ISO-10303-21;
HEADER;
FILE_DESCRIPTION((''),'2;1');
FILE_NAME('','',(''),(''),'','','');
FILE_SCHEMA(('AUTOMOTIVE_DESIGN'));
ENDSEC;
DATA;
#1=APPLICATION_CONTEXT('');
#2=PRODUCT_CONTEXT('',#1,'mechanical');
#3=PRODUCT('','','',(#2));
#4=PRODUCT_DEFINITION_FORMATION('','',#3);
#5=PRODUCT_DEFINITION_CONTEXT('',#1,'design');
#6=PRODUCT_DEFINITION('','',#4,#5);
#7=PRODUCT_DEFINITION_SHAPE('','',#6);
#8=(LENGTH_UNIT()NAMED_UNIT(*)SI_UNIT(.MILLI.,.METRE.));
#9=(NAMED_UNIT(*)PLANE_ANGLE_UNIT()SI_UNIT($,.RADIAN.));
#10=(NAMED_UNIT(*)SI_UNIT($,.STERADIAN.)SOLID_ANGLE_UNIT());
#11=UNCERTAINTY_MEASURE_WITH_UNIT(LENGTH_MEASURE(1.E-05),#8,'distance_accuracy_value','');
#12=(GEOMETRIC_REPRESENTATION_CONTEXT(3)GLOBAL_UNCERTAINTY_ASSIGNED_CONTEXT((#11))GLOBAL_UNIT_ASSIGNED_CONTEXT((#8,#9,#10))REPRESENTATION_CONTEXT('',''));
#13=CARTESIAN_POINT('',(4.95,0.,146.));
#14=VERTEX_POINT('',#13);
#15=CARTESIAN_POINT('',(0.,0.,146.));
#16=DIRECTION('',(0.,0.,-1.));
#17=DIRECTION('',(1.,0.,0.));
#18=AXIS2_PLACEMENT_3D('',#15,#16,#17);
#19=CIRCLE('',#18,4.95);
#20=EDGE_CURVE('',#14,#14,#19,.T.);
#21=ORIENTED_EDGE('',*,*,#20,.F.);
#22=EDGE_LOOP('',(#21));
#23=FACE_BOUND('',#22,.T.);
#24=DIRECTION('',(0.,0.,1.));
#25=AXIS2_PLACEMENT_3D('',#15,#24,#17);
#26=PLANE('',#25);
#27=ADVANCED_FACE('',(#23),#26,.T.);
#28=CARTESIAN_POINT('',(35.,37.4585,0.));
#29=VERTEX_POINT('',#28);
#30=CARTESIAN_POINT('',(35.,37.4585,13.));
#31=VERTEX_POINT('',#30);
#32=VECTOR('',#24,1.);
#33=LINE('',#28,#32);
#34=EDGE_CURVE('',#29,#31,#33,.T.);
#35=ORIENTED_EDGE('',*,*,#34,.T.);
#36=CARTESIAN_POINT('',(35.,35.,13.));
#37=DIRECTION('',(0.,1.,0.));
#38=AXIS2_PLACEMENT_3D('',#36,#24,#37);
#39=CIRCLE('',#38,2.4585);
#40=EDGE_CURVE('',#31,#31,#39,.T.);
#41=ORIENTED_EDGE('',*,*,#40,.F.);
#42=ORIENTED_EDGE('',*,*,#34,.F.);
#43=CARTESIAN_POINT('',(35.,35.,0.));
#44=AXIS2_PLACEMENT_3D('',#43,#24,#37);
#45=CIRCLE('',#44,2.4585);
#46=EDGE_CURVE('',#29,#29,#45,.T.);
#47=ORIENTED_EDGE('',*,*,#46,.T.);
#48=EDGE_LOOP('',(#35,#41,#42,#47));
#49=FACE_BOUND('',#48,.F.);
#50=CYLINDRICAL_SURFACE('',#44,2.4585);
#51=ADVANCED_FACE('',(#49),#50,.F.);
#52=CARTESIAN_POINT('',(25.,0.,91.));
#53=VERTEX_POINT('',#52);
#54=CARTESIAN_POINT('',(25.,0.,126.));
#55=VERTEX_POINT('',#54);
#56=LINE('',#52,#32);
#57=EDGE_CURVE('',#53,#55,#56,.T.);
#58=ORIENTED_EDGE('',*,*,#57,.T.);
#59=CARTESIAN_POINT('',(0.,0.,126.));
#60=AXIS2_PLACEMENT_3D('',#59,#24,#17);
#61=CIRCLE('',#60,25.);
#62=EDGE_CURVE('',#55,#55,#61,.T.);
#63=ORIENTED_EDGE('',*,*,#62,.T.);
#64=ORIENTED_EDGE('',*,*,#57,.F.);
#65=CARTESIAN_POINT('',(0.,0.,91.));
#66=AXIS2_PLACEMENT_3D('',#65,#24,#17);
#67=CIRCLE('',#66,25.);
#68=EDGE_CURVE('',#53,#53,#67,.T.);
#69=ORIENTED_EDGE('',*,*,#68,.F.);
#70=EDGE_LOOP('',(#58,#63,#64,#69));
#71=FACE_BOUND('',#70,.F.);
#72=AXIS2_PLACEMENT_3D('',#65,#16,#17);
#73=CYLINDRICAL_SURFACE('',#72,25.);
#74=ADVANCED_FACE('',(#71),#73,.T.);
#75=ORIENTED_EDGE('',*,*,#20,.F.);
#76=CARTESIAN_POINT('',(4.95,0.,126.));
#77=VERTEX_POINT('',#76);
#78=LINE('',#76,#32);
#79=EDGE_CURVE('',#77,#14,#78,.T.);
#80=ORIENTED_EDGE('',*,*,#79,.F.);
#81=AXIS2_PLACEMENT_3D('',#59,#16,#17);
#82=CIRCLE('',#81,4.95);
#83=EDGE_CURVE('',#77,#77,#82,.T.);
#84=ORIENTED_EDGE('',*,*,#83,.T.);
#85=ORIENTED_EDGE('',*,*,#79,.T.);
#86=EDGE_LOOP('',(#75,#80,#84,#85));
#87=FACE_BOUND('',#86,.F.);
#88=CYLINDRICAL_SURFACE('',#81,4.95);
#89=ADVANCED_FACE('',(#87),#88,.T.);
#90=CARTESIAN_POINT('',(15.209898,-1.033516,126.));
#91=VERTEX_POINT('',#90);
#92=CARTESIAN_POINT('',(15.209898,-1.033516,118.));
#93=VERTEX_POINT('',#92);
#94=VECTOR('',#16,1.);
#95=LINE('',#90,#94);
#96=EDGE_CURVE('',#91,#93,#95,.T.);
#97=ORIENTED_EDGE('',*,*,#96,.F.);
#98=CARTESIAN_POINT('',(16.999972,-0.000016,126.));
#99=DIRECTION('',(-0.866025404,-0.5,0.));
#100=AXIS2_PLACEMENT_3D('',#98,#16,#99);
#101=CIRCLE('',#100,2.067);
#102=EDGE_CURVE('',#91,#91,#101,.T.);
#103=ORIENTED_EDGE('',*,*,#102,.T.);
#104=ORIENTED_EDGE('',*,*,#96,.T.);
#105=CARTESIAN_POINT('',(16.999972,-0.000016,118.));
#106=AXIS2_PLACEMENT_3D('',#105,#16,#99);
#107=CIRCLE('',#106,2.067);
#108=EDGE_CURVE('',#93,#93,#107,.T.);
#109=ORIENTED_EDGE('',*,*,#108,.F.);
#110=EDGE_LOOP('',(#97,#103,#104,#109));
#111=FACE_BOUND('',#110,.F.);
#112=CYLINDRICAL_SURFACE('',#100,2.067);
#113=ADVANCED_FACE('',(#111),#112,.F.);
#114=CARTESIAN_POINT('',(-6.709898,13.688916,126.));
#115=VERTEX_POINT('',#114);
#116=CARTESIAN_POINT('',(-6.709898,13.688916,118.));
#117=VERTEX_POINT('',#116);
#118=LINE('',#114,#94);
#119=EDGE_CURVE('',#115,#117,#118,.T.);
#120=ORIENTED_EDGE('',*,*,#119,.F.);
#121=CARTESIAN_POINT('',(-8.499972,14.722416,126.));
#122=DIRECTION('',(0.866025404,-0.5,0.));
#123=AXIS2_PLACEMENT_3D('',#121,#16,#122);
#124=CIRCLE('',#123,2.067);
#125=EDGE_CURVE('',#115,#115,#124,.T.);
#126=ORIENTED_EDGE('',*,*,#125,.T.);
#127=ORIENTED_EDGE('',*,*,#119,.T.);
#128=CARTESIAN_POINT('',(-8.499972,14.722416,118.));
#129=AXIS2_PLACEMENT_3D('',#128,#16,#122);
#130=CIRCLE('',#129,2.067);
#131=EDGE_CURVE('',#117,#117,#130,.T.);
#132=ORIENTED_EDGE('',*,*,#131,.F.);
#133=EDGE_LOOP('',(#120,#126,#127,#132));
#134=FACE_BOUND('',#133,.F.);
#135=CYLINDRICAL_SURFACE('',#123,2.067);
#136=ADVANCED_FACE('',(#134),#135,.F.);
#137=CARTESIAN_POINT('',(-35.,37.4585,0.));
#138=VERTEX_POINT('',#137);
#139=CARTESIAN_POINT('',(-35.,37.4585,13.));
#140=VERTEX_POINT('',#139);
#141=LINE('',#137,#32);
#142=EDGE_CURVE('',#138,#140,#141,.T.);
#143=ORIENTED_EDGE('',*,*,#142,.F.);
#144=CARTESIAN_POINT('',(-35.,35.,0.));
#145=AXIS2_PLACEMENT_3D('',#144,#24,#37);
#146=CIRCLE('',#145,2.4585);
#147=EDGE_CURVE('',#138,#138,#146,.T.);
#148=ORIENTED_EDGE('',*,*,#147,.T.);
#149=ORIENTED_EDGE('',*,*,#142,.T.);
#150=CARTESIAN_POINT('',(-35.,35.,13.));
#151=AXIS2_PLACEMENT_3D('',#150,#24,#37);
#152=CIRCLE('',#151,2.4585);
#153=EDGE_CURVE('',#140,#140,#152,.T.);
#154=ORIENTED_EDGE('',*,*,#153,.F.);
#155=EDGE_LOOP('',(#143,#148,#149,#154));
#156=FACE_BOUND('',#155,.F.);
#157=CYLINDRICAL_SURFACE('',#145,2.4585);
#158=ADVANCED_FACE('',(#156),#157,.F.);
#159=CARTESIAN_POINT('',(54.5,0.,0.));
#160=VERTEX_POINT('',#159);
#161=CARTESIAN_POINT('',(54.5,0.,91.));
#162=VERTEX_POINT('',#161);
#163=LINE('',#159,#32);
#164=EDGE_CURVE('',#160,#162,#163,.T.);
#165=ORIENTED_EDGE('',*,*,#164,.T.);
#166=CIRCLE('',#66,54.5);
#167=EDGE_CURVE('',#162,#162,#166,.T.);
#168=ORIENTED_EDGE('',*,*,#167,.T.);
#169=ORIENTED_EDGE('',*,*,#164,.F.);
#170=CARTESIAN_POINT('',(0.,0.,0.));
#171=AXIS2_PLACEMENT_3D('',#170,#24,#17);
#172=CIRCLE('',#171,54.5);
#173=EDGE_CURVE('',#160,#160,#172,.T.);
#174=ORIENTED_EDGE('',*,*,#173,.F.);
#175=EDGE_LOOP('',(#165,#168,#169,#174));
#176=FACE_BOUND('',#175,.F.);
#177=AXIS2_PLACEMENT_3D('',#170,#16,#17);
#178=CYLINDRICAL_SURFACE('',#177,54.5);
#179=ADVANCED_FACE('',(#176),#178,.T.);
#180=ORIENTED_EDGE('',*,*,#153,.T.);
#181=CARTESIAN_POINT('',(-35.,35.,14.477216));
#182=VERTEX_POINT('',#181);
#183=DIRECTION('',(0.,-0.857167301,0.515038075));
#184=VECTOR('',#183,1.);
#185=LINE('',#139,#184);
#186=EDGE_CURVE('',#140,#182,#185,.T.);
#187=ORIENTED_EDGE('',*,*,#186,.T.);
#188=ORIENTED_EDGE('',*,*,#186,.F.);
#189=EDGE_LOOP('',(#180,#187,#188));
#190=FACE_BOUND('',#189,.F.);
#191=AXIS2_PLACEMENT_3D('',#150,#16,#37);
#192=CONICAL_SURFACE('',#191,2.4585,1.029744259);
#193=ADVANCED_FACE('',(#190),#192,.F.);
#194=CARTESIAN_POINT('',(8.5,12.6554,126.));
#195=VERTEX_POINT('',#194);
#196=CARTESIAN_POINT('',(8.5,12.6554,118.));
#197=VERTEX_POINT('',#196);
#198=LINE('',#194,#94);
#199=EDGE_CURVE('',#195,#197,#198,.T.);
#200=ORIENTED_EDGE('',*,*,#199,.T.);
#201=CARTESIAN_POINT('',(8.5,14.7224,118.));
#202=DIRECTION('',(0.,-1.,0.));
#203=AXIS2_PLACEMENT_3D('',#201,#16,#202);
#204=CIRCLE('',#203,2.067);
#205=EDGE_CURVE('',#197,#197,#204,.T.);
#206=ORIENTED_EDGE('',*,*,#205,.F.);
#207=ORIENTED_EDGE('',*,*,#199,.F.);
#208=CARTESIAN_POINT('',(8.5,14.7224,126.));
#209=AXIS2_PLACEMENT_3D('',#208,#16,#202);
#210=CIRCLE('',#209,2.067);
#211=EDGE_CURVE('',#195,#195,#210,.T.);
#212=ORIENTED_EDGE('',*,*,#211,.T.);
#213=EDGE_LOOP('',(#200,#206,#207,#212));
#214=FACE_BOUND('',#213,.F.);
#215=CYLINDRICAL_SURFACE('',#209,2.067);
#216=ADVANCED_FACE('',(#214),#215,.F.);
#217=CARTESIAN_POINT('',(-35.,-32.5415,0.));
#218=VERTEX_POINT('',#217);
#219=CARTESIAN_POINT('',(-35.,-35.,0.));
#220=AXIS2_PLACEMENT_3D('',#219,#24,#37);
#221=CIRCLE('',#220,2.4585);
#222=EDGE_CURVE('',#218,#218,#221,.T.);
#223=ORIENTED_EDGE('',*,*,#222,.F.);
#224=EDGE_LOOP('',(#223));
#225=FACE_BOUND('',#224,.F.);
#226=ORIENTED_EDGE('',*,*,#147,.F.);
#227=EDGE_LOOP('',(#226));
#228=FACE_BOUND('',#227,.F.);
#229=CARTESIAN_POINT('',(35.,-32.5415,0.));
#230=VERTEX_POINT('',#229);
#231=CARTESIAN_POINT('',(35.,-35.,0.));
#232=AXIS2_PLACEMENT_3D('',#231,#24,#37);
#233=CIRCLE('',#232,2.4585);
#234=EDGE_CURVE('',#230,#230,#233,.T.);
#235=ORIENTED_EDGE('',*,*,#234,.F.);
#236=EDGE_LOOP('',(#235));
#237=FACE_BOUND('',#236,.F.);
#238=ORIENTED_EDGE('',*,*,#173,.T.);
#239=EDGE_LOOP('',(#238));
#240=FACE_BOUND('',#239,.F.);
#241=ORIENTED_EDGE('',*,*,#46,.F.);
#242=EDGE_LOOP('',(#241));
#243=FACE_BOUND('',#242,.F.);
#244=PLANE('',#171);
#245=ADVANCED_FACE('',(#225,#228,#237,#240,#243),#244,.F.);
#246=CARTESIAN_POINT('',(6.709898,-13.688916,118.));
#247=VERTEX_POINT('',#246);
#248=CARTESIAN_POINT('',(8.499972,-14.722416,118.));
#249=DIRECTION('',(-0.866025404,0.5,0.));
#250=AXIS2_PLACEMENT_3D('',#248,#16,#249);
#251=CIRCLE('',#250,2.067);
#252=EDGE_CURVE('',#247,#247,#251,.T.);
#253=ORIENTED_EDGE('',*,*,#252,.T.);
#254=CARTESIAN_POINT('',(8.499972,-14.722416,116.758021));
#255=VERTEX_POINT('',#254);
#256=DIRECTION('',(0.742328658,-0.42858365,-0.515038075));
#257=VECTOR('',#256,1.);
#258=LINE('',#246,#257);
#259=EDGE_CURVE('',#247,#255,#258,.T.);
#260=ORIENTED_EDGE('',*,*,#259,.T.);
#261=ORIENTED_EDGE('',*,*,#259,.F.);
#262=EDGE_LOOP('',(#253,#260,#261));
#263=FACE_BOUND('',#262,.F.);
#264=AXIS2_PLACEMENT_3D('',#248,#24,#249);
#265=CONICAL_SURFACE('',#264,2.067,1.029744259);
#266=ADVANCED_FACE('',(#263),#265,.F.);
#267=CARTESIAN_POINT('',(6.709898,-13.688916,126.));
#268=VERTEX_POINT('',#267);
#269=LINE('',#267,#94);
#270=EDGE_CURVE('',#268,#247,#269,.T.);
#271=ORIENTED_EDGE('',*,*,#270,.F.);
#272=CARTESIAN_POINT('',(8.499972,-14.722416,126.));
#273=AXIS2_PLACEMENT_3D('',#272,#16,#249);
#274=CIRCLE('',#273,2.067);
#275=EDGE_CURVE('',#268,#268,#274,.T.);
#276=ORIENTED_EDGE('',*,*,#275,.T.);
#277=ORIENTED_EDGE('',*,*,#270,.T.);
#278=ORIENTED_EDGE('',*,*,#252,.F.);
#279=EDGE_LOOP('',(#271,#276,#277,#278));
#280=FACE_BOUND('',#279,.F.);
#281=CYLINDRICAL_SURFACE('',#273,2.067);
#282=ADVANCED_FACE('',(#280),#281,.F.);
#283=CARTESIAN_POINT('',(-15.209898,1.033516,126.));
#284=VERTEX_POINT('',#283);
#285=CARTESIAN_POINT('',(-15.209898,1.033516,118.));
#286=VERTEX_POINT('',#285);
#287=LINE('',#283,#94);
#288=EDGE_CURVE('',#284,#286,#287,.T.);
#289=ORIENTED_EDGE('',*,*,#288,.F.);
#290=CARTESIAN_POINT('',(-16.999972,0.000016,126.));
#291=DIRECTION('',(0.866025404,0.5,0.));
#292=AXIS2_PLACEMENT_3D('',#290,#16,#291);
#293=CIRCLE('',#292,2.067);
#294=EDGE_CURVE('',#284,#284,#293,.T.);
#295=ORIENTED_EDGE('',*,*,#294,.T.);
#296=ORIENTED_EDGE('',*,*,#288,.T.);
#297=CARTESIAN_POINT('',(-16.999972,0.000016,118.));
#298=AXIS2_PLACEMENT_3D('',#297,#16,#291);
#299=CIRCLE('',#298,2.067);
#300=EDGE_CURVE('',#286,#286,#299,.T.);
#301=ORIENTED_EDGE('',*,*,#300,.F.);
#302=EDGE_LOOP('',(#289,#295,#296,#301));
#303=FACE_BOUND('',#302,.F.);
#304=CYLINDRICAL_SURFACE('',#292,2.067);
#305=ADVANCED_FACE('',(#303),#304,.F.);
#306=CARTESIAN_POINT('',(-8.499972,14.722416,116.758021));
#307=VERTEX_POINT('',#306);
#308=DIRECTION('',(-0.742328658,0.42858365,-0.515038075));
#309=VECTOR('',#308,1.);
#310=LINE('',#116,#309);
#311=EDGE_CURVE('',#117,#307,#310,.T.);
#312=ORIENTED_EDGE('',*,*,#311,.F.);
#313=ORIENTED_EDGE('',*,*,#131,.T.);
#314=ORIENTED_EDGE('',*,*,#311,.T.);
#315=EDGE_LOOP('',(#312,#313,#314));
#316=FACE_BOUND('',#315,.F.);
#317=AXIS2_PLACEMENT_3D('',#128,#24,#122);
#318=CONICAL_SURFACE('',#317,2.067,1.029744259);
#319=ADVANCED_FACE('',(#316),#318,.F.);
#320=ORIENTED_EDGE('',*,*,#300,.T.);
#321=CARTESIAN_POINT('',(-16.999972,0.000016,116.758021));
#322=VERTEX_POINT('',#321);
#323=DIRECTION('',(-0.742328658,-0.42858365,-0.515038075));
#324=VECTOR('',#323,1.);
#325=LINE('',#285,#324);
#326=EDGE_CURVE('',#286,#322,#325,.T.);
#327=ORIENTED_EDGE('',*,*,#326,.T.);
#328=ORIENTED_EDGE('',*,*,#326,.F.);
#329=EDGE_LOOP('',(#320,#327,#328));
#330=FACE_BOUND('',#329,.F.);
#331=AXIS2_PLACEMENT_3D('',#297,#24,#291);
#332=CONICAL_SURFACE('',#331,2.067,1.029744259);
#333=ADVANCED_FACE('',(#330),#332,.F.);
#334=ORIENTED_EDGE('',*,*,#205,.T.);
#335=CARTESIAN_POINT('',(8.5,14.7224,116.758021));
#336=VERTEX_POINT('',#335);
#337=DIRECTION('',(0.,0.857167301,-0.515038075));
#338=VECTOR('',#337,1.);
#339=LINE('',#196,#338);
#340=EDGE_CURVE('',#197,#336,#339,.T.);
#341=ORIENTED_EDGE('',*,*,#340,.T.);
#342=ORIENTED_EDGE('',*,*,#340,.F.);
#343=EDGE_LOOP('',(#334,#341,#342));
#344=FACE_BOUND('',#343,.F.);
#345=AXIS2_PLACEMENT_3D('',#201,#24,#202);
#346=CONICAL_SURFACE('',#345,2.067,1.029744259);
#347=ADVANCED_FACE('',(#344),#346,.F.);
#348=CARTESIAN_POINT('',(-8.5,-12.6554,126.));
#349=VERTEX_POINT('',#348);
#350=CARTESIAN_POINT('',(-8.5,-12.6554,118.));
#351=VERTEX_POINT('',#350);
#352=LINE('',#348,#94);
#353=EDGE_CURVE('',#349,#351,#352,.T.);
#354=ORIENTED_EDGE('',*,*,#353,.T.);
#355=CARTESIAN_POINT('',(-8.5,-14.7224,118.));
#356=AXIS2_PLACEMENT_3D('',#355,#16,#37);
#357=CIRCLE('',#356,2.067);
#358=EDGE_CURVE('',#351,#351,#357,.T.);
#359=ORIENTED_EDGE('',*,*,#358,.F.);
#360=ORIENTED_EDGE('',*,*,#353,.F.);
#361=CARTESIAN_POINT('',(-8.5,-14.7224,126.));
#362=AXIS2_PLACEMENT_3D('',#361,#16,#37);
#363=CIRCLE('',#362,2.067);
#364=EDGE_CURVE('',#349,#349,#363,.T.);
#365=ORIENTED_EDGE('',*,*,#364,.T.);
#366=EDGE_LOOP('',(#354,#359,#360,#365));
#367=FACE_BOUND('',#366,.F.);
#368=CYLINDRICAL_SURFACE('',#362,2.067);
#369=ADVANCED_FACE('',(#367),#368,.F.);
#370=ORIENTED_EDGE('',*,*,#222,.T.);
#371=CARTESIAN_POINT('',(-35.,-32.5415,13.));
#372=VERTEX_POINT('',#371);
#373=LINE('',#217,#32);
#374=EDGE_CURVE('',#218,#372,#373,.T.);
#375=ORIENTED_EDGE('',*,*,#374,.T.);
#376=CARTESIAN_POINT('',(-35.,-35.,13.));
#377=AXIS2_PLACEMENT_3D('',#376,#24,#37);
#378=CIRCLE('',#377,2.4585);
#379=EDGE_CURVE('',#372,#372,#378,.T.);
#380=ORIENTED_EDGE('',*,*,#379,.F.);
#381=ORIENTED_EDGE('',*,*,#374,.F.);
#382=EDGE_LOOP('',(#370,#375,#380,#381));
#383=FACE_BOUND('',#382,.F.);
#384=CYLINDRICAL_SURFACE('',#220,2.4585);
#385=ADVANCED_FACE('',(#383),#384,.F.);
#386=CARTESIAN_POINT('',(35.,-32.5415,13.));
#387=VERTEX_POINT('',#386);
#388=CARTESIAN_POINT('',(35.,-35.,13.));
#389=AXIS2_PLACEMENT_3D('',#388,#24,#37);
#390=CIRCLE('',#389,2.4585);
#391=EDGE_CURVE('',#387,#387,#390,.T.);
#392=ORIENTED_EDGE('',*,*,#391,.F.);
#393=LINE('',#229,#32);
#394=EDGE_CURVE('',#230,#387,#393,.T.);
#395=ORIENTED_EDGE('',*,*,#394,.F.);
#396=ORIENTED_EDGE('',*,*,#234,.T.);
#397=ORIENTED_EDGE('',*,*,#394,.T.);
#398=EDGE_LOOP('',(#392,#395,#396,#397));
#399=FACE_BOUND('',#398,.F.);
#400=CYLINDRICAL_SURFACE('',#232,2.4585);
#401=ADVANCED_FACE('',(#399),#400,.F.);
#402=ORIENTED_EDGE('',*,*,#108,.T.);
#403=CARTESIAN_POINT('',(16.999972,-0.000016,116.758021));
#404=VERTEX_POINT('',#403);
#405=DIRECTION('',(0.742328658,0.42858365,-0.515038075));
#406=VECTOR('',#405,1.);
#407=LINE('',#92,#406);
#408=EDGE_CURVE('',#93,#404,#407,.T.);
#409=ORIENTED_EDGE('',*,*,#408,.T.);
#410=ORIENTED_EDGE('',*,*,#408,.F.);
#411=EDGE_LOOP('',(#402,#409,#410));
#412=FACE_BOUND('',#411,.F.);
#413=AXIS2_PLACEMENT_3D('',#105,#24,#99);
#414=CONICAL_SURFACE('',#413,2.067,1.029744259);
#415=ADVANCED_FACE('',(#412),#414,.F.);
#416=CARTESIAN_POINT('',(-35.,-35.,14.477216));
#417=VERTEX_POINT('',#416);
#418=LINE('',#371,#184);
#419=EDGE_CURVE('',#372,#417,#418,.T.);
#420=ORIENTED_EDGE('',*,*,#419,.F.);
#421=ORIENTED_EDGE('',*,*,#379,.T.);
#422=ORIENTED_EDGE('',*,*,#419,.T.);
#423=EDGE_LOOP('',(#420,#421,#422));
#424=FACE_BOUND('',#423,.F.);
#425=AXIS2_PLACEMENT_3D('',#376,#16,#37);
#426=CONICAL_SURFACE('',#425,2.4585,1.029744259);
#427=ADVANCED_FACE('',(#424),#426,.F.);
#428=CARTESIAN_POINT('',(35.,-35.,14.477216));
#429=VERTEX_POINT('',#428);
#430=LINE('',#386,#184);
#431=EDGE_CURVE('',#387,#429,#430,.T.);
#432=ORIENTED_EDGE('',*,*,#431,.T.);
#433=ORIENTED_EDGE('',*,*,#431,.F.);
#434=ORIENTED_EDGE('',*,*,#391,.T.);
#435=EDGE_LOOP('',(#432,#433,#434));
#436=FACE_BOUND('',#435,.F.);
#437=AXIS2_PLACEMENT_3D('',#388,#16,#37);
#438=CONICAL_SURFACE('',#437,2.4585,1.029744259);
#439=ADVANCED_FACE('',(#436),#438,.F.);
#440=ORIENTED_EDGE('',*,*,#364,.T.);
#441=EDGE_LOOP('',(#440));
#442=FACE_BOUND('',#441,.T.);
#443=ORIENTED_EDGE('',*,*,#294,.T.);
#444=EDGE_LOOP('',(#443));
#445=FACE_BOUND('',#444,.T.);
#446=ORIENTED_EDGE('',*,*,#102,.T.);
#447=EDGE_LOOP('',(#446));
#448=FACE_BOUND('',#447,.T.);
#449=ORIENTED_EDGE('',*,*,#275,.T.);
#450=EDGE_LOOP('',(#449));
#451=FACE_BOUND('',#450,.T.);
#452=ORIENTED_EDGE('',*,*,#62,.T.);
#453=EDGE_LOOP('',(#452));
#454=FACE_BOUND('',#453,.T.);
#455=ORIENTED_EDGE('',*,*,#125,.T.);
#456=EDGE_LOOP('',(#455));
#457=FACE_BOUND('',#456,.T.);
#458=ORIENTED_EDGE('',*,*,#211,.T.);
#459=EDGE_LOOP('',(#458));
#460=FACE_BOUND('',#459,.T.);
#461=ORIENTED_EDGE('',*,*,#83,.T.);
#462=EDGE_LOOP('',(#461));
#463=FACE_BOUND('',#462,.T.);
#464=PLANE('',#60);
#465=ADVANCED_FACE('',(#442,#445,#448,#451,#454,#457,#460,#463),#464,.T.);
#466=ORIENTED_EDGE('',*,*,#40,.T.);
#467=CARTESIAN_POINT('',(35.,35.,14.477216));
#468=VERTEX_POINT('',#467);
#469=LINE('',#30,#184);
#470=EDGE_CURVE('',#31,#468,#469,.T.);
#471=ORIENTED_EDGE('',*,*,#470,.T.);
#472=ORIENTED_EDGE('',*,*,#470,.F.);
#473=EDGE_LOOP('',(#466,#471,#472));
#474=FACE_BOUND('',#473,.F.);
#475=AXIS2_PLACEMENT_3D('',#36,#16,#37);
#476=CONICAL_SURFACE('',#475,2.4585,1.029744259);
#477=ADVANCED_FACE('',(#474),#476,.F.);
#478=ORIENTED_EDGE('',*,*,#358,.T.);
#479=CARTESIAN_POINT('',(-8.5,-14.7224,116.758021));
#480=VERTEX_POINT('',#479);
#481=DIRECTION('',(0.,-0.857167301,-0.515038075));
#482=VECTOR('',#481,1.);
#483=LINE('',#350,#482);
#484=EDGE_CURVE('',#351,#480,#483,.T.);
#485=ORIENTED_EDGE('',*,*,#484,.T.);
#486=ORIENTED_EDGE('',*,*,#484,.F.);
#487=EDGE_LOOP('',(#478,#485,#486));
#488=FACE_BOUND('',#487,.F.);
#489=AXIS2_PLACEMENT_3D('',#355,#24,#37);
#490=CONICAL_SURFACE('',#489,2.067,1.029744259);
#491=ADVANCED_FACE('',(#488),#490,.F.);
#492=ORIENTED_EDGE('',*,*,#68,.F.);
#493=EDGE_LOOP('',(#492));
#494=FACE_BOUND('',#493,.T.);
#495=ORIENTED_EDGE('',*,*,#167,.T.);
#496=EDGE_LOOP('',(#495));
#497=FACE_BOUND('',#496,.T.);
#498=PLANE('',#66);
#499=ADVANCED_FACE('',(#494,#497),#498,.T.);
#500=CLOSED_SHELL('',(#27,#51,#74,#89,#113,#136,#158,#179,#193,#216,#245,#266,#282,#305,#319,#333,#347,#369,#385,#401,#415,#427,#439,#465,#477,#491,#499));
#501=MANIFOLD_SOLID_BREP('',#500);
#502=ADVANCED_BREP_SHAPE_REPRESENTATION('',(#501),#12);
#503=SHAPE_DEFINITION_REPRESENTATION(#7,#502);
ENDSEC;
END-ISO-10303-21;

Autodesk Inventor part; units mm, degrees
ref_plane "YZ Plane" through (0, 0, 0) normal (1, 0, 0) x (0, 1, 0)
ref_plane "XZ Plane" through (0, 0, 0) normal (0, 1, 0) x (-1, 0, 0)
ref_plane "XY Plane" through (0, 0, 0) normal (0, 0, 1) x (1, 0, 0)
sketch "Skizze1" plane through (0, 0, 0) normal (0, 0, 1) x (1, 0, 0)
  circle A0 centre (0, 0) radius 54.5
  dimension "d0" = 109
extrude "Extrusion1" add sketch "Skizze1" along normal blind 91
sketch "Skizze2" plane through (0, 0, 0) normal (0, 0, -1) x (-1, 0, 0)
  circle A0 centre (35, -35) radius 2.5
  circle A1 centre (-35, -35) radius 2.5
  circle A2 centre (-35, 35) radius 2.5
  circle A3 centre (35, 35) radius 2.5
  point P0 (0, 0)
  dimension "d15" = 5
  dimension "d16" = 5
  dimension "d17" = 5
  dimension "d18" = 5
  dimension "d19" = 35
  dimension "d20" = 35
  dimension "d21" = 35
  dimension "d22" = 35
  dimension "d23" = 35
  dimension "d24" = 35
  dimension "d25" = 35
  dimension "d26" = 35
sketch "Skizze3" plane through (0, 0, 91) normal (0, 0, 1) x (1, 0, 0)
  circle A0 centre (0, 0) radius 25
  dimension "d29" = 50
extrude "Extrusion3" add sketch "Skizze3" along normal blind 35
sketch "Skizze4" plane through (0, 0, 126) normal (0, 0, 1) x (1, 0, 0)
  circle A0 centre (0, 0) radius 4.95
  circle A1 centre (0, 0) radius 17 construction
  line L0 (0, 0) -> (-17, 0)
  line L1 (0, 0) -> (-8.5, 14.7224) construction
  line L2 (0, 0) -> (8.5, 14.7224) construction
  line L3 (0, 0) -> (17, 0) construction
  line L4 (0, 0) -> (8.5, -14.7224) construction
  circle A2 centre (8.5, -14.7224) radius 2.5
  circle A3 centre (-17, 0) radius 2.5
  circle A4 centre (-8.5, 14.7224) radius 2.5
  circle A5 centre (8.5, 14.7224) radius 2.5
  circle A6 centre (17, 0) radius 2.5
  line L5 (-8.5, -14.7224) -> (0, 0) construction
  circle A7 centre (-8.5, -14.7224) radius 2.5
  dimension "d32" = 9.9
  dimension "d33" = 34
  dimension "d34" = 60
  dimension "d35" = 60
  dimension "d36" = 60
  dimension "d37" = 60
  dimension "d38" = 5
  dimension "d39" = 5
  dimension "d40" = 5
  dimension "d41" = 5
  dimension "d42" = 5
  dimension "d45" = 5
  dimension "d46" = 60
hole "Bohrung1" at (35, 35, 0) direction (0, 0, 1) diameter 4.917 depth 13 tip angle 118 thread size "M6x1" class "6H" standard "ISO Metric profile"
hole "Bohrung2" at (35, -35, 0) direction (0, 0, 1) diameter 4.917 depth 13 tip angle 118 thread size "M6x1" class "6H" standard "ISO Metric profile"
hole "Bohrung3" at (-35, -35, 0) direction (0, 0, 1) diameter 4.917 depth 13 tip angle 118 thread size "M6x1" class "6H" standard "ISO Metric profile"
hole "Bohrung4" at (-35, 35, 0) direction (0, 0, 1) diameter 4.917 depth 13 tip angle 118 thread size "M6x1" class "6H" standard "ISO Metric profile"
extrude "Extrusion5" add sketch "Skizze4" along normal blind 20 contours A0
hole "Bohrung17" at (8.5, 14.7224, 126) direction (0, 0, -1) diameter 4.134 depth 8 tip angle 118 thread size "M5x0.8" class "6H" standard "ISO Metric profile"
pattern_circular "Runde Anordnung1" count 6 over 360 about axis through (0, 0, 126) along (0, 0, 1) of "Bohrung17"
properties part number "Motor"
